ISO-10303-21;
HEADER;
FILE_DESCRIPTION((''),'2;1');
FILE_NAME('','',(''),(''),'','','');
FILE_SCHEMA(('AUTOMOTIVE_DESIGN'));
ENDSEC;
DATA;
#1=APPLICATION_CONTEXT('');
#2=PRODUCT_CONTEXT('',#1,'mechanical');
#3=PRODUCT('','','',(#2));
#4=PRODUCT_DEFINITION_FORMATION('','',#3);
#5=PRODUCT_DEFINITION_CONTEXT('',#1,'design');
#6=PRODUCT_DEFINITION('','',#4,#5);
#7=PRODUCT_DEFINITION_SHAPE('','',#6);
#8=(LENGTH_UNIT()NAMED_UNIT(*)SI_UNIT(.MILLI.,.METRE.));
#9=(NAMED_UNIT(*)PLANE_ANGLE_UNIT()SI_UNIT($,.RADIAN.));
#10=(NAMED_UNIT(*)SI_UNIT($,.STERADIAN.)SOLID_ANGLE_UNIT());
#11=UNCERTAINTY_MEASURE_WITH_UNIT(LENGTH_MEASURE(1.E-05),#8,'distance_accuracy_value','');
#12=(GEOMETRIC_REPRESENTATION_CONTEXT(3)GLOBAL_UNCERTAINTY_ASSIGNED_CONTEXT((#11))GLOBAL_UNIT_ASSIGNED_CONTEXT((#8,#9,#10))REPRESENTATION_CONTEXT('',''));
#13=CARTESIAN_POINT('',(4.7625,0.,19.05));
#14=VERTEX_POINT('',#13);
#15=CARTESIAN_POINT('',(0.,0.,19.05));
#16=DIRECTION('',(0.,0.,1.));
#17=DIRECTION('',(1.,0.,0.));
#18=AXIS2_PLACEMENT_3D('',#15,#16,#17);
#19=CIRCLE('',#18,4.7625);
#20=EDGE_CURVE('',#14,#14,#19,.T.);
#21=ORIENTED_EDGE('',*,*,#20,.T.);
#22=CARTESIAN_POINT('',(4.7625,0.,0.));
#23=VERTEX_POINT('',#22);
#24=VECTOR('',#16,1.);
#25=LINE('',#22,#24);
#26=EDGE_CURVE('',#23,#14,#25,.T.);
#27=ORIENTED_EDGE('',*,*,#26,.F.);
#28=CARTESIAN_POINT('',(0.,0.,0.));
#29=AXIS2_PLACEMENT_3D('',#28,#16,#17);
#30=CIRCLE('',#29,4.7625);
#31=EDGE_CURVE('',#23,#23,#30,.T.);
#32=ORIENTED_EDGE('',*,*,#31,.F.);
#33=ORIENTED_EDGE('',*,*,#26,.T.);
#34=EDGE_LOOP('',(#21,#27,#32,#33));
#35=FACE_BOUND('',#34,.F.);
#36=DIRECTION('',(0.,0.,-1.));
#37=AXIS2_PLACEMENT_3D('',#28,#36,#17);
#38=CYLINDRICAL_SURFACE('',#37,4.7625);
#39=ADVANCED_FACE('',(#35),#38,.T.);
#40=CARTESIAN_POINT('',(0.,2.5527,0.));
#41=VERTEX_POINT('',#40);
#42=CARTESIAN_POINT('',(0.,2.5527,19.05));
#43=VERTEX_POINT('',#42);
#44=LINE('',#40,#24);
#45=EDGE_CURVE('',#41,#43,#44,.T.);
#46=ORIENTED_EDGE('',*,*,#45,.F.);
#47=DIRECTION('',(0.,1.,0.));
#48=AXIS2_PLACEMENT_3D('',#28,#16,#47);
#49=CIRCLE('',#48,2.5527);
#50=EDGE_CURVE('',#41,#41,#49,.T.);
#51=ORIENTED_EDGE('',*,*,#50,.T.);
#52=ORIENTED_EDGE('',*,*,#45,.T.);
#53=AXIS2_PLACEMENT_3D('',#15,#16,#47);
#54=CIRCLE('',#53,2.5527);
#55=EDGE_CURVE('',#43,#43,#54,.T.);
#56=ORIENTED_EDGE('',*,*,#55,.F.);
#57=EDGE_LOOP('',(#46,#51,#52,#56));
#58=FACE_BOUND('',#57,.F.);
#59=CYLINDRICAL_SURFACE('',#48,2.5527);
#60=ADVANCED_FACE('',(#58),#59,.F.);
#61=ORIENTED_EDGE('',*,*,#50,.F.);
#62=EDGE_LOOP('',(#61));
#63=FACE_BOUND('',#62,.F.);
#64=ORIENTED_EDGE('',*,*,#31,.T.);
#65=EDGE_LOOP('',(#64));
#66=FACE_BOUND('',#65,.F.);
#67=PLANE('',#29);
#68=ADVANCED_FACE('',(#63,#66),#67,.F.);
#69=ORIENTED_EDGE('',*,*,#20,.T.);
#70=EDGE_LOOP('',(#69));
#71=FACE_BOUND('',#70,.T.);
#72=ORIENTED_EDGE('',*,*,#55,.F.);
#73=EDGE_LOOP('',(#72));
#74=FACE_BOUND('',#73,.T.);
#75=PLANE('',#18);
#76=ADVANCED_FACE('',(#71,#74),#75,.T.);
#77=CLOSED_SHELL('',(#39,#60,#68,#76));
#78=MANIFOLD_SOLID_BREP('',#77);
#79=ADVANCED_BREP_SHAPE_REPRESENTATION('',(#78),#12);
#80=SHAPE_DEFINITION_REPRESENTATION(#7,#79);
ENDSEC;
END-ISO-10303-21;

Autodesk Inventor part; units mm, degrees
ref_plane "YZ Plane" through (0, 0, 0) normal (1, 0, 0) x (0, 1, 0)
ref_plane "XZ Plane" through (0, 0, 0) normal (0, 1, 0) x (-1, 0, 0)
ref_plane "XY Plane" through (0, 0, 0) normal (0, 0, 1) x (1, 0, 0)
sketch "Sketch1" plane through (0, 0, 0) normal (0, 0, 1) x (1, 0, 0)
  circle A0 centre (0, 0) radius 4.7625
  dimension "d10" = 9.525
extrude "Extrusion1" add sketch "Sketch1" along normal blind 19.05
hole "Hole1" at (0, 0, 0) direction (0, 0, 1) diameter 5.1054 end through all clearance for "Flat Head Machine Screw (82)" size "#10" standard "Ansi Unified Screw Threads"
equation "\"d10\" = OutsideDiameter"
equation "\"d1\" = StandoffLength"
equation "\"d3\" = HoleDiameter"
equation "\"StandoffLength\" = 19.05"
equation "\"HoleDiameter\" = 5.1054"
equation "\"OutsideDiameter\" = 9.525"
properties part number "AR-023" material "Aluminum 6061"
